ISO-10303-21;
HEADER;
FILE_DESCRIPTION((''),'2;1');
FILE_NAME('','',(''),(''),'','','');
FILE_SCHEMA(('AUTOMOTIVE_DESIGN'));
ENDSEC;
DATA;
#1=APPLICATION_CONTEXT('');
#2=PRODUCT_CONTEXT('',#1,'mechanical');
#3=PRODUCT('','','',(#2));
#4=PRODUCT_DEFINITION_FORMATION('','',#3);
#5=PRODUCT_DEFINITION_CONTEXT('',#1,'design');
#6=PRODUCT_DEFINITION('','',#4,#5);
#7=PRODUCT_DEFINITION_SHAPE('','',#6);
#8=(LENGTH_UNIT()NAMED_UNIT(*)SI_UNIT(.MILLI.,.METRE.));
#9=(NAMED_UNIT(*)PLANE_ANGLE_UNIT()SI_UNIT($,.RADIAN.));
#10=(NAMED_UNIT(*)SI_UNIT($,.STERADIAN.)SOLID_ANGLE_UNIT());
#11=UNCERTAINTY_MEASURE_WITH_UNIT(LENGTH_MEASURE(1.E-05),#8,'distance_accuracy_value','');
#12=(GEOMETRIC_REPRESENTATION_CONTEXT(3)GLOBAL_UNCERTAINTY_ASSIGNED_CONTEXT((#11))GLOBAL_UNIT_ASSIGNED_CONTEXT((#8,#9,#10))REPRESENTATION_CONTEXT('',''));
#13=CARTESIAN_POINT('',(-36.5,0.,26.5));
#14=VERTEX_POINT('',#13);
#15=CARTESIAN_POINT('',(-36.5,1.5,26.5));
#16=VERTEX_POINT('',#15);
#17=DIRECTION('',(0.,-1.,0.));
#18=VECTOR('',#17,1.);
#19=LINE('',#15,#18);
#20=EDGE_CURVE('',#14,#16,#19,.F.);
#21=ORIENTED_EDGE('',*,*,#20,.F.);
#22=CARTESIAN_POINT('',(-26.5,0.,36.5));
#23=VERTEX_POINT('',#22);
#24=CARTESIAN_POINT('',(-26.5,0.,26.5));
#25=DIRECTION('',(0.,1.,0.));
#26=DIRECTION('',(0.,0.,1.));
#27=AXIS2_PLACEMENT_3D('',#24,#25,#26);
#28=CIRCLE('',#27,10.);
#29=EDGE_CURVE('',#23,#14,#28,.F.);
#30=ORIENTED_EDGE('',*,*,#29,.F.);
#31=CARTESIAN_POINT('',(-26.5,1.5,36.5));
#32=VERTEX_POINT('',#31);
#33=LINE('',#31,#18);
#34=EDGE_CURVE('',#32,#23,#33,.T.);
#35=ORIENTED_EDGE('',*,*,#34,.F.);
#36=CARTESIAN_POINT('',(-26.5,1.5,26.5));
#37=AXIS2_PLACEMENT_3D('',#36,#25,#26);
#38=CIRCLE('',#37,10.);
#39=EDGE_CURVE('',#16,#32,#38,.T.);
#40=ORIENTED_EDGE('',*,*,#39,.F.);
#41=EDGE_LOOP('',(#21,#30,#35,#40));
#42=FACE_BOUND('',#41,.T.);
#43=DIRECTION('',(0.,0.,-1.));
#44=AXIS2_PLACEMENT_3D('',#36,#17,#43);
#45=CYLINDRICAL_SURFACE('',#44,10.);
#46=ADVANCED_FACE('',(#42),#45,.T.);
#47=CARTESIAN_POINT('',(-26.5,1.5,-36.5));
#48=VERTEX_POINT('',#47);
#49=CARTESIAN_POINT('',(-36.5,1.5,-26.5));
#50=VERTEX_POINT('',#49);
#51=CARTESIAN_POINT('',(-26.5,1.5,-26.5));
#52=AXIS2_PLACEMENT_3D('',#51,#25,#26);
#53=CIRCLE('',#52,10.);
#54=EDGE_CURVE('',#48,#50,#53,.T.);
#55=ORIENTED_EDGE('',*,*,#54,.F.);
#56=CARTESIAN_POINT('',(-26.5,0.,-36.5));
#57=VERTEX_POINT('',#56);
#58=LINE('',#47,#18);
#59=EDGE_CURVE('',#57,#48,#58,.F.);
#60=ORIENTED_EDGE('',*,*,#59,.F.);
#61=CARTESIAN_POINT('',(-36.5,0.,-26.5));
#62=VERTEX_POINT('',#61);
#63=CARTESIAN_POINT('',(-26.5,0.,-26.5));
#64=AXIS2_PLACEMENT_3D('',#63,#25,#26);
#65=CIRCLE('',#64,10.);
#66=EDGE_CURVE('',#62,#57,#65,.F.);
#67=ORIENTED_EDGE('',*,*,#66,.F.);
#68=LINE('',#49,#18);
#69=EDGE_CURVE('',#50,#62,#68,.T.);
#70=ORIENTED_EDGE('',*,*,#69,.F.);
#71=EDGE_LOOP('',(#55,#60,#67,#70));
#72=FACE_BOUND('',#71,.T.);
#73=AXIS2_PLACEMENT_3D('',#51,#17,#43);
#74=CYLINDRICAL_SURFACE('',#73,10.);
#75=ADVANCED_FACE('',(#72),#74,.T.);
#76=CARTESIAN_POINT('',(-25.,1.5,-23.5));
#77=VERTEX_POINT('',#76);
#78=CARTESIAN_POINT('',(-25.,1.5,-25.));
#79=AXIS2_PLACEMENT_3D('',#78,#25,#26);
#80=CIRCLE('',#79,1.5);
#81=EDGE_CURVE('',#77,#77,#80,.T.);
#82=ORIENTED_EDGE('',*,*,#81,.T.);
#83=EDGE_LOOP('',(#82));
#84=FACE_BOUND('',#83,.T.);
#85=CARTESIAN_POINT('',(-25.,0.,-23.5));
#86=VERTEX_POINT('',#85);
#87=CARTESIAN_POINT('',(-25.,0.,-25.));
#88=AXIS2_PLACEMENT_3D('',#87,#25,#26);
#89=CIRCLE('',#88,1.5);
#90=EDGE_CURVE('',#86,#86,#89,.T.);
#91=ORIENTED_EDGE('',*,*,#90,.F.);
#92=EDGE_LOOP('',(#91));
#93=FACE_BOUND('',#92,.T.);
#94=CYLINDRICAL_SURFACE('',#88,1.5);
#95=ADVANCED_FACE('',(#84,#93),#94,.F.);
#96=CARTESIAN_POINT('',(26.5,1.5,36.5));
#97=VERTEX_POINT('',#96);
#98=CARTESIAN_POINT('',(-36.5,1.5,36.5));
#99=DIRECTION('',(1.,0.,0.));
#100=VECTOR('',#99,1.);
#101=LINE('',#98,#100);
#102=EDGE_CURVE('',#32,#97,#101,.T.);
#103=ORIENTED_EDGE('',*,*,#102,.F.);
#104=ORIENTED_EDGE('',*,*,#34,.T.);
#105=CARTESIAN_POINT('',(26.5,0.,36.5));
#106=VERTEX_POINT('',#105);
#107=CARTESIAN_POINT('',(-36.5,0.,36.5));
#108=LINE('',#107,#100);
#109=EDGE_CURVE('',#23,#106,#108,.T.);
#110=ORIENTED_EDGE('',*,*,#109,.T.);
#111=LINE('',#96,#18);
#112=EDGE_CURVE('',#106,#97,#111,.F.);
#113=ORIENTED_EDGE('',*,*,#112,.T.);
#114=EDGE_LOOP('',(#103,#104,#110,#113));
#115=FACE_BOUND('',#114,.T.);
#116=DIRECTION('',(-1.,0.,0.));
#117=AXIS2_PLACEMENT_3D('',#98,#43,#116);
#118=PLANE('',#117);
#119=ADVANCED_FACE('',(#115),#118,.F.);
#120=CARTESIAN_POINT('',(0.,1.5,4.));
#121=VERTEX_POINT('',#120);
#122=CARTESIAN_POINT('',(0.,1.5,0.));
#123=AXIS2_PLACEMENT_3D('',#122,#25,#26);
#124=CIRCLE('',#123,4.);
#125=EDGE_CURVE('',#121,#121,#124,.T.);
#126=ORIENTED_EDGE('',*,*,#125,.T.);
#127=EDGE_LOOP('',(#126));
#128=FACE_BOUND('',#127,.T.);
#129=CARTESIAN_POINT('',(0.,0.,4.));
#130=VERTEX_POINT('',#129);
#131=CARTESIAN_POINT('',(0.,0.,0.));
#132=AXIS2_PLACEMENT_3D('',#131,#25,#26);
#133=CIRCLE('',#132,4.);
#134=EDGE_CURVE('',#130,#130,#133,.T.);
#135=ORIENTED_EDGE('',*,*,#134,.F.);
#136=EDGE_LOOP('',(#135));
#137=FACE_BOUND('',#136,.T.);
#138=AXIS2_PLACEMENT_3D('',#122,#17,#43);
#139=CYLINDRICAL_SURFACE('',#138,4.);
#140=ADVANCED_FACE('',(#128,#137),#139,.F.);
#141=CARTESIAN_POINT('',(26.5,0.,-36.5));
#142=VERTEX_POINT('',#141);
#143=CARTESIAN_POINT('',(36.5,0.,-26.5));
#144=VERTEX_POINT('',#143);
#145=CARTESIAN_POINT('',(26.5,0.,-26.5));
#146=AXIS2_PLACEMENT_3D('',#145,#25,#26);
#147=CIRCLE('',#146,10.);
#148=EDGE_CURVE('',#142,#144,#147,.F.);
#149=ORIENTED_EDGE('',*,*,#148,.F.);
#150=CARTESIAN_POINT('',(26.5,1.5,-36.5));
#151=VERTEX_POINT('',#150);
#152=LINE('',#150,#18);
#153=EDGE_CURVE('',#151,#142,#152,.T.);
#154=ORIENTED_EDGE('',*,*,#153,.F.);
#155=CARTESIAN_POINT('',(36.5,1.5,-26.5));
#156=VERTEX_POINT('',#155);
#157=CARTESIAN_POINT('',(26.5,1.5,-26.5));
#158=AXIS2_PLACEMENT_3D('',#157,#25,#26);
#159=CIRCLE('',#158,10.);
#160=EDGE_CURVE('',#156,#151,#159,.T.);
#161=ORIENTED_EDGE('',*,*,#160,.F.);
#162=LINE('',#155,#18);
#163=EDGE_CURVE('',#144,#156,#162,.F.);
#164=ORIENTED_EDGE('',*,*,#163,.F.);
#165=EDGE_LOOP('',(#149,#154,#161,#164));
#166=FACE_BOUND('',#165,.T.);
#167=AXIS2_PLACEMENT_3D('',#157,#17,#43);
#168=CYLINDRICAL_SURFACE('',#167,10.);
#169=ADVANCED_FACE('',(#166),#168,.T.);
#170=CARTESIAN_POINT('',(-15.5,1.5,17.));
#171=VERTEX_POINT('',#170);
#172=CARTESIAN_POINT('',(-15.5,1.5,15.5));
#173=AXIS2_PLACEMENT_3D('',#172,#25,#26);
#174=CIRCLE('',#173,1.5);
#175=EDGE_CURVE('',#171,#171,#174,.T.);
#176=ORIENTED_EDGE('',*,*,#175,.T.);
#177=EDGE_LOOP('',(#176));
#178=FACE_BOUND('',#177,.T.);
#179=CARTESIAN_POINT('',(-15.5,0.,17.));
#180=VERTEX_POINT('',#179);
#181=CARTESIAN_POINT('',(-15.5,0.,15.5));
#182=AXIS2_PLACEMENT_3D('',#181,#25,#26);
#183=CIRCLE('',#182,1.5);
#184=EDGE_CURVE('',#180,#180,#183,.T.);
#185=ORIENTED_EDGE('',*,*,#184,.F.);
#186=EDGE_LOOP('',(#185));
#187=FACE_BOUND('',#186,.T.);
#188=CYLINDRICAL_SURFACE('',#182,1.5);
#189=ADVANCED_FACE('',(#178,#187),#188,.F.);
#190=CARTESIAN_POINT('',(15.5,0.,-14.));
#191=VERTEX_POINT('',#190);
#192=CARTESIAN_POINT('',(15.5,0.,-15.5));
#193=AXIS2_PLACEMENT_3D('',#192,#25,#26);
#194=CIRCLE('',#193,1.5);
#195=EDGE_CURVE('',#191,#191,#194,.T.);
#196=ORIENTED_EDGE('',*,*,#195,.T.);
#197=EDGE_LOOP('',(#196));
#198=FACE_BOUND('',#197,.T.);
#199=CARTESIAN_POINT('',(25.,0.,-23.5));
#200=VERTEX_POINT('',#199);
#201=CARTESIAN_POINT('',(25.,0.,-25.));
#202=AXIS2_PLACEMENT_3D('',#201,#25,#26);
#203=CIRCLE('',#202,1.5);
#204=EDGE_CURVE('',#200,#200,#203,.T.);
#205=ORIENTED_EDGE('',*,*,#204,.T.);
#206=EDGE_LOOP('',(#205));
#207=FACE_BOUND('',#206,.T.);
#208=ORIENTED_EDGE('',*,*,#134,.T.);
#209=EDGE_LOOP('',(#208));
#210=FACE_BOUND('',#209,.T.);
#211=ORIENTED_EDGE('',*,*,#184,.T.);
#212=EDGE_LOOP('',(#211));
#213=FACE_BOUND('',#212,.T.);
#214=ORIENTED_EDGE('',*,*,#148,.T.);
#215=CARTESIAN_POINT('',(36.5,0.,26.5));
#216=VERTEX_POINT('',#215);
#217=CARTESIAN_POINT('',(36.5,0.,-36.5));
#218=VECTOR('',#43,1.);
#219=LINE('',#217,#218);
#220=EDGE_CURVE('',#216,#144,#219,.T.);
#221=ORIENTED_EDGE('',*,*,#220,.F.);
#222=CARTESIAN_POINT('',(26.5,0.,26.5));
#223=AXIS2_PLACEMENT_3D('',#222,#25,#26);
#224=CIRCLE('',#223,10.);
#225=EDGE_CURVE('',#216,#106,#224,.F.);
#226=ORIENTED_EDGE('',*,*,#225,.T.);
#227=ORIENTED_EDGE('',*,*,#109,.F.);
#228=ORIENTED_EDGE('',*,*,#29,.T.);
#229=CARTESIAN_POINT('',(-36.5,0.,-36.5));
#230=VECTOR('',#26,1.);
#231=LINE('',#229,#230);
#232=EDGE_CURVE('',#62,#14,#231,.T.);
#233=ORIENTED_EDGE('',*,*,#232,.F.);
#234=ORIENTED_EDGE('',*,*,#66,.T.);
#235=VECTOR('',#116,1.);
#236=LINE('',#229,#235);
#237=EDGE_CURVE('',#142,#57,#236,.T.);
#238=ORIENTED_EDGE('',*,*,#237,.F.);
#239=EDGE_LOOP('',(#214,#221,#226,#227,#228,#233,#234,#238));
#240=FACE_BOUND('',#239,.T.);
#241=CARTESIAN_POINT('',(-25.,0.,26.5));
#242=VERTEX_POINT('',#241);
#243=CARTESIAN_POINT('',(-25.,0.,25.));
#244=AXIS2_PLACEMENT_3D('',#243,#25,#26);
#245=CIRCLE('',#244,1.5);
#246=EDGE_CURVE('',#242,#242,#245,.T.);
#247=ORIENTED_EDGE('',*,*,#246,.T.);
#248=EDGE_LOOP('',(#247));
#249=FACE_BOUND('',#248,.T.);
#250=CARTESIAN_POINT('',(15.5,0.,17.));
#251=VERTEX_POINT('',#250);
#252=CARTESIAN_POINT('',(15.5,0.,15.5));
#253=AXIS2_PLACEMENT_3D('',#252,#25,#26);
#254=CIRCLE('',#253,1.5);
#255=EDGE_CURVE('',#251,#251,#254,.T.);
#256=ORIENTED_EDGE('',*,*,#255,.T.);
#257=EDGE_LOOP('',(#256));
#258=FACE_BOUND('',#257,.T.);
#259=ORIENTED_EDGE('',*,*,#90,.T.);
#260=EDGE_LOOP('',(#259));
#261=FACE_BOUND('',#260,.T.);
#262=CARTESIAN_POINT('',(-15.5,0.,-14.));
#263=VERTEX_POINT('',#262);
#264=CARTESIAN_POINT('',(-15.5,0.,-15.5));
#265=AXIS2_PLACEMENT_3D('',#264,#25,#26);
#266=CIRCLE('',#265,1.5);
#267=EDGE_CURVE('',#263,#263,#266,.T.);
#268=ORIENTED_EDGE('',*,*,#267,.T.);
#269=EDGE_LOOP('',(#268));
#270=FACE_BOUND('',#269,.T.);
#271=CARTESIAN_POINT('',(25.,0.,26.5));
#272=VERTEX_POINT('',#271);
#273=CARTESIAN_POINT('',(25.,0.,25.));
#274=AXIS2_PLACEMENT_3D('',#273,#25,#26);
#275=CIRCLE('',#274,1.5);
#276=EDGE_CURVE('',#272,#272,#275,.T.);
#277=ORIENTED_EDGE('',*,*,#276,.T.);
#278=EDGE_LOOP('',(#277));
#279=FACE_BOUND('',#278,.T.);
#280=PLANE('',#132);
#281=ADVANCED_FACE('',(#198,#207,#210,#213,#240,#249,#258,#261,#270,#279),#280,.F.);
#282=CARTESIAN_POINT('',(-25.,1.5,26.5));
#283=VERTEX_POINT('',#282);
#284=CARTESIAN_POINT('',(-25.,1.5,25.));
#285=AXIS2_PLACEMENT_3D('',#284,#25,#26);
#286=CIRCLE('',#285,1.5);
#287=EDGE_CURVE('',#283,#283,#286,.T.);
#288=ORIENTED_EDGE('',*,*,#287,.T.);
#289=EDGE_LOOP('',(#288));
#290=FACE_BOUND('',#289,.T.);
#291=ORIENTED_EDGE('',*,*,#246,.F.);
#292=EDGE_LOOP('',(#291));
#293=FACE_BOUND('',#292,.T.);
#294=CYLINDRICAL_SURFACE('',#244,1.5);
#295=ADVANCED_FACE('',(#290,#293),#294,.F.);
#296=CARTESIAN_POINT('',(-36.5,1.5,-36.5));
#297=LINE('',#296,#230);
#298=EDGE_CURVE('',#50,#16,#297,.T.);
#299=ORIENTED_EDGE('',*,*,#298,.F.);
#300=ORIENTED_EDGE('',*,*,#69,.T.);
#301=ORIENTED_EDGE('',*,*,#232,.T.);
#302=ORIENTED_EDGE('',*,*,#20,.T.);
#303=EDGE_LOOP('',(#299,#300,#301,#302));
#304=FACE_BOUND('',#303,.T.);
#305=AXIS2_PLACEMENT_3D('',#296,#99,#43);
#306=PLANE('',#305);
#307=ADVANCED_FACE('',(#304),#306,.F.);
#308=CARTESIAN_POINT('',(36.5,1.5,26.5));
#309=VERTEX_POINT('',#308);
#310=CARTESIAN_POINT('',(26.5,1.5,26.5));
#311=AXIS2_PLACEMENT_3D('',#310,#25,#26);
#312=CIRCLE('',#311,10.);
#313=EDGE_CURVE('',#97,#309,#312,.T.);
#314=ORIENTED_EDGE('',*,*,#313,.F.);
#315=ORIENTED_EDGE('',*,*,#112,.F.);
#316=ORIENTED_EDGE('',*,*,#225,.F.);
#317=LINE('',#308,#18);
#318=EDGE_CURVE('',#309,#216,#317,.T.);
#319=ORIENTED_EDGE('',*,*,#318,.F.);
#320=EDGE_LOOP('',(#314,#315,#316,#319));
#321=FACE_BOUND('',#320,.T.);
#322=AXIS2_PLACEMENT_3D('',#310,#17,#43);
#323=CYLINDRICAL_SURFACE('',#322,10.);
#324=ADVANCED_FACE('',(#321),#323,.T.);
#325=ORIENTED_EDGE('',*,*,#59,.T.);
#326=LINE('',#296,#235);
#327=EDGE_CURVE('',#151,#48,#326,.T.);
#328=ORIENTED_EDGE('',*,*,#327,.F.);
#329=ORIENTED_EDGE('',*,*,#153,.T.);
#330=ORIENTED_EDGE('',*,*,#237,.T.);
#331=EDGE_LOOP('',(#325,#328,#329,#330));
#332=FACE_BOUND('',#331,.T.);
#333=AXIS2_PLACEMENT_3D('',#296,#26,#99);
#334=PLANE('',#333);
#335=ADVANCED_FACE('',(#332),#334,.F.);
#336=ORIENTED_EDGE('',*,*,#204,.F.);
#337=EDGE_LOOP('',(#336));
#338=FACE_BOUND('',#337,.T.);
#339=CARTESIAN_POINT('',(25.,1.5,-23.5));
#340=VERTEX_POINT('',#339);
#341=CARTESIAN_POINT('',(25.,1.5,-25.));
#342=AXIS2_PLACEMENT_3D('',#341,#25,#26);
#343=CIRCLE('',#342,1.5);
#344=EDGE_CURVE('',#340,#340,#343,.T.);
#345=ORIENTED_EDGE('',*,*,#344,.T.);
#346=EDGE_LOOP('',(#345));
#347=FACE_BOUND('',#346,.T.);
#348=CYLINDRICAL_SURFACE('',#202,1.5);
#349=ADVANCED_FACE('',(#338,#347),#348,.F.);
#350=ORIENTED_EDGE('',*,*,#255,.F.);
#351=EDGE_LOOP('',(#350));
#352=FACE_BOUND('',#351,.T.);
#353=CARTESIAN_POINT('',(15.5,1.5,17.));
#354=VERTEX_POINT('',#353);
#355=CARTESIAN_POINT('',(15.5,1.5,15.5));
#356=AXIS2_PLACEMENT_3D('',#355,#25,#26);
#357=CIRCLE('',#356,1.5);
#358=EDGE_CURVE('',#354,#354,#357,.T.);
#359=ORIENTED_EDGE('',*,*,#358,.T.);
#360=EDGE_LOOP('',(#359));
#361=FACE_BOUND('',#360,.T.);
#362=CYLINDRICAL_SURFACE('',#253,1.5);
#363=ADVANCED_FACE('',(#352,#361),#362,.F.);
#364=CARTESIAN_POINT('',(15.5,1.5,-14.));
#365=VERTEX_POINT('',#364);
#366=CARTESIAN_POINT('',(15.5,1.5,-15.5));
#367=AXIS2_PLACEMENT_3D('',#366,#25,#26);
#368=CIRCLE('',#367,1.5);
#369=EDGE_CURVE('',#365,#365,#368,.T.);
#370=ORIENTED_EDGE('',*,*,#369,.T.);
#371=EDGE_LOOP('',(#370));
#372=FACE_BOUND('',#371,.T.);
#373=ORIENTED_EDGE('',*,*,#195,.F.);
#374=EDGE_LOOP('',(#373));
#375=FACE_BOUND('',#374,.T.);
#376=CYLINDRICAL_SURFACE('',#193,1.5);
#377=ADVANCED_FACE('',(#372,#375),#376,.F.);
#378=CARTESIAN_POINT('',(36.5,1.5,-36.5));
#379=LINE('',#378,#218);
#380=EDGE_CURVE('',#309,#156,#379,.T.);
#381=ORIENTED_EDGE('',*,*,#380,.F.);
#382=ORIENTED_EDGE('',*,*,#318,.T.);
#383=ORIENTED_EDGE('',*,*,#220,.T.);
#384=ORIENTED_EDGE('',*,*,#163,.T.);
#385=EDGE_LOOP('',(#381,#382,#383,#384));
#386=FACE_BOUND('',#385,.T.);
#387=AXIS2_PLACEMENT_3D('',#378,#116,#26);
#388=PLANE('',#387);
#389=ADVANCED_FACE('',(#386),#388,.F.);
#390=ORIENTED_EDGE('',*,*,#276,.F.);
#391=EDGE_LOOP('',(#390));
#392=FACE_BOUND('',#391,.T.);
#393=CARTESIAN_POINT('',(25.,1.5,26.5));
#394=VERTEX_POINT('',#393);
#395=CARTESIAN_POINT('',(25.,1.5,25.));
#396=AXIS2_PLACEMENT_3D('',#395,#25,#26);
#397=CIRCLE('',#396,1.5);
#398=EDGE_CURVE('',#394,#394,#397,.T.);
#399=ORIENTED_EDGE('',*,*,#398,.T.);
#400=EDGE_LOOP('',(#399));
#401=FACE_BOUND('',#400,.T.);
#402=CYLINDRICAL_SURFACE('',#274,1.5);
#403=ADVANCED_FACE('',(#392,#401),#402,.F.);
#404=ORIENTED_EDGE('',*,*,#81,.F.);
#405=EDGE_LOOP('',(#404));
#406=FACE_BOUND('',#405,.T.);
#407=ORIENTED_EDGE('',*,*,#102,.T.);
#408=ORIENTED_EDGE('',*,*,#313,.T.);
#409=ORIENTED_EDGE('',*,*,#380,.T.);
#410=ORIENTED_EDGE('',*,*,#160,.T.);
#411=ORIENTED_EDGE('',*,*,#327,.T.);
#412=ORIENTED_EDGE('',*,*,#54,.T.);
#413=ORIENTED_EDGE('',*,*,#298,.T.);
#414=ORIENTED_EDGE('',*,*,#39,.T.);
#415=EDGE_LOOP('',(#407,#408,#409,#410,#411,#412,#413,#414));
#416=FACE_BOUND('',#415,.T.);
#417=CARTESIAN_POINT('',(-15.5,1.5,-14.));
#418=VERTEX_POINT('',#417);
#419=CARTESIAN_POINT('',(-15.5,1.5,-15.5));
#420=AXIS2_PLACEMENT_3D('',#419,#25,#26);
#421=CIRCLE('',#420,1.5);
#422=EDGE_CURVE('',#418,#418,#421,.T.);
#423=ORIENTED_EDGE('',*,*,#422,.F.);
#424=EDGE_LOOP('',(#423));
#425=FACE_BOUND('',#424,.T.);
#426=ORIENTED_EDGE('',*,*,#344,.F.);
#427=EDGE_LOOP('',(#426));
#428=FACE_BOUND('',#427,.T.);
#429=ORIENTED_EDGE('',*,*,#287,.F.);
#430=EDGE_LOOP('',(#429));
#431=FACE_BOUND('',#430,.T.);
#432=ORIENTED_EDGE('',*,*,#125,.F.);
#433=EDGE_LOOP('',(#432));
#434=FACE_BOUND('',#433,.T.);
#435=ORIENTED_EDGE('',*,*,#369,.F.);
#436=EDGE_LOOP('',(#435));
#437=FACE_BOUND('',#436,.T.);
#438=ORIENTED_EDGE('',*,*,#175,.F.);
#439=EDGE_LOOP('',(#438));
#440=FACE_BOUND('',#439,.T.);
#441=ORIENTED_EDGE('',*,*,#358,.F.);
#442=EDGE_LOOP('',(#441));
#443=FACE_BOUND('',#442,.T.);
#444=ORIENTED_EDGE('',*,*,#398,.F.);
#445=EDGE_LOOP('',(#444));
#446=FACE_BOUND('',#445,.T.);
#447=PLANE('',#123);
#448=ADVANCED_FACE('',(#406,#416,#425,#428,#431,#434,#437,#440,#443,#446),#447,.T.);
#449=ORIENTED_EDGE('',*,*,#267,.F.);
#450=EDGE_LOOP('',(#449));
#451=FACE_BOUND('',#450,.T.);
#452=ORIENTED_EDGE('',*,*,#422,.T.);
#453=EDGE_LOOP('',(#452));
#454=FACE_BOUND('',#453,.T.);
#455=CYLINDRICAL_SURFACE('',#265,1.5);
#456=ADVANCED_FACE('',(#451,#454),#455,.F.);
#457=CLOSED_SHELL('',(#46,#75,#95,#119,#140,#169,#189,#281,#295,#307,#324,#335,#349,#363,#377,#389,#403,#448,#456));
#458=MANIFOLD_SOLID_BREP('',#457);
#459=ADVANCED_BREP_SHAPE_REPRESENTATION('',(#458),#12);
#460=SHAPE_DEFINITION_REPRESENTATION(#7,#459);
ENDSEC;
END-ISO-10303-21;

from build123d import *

# Parameters (mm, degrees)
SKETCH2_W           = 73
SKETCH2_H           = 73
SKETCH2_R           = 4
BOSS_EXTRUDE1_DEPTH = 1.5
SKETCH3_R           = 1.5
CUT_EXTRUDE1_DEPTH  = 2.5
SKETCH4_R           = 1.5
CUT_EXTRUDE2_DEPTH  = 2.5
FILLET1_R           = 10


with BuildPart() as part:
    # Sketch2 → Boss-Extrude1 (new body)
    with BuildSketch(Plane(origin=(0, 0, 0), x_dir=(1, 0, 0), z_dir=(0, 1, 0))):
        Rectangle(SKETCH2_W, SKETCH2_H)
        Circle(SKETCH2_R, mode=Mode.SUBTRACT)
    extrude(amount=BOSS_EXTRUDE1_DEPTH)

    # Sketch3 → Cut-Extrude1 (cut, through all)
    with BuildSketch(Plane(origin=(0, 1.5, 0), x_dir=(1, 0, 0), z_dir=(0, 1, 0))):
        with Locations((-15.5, 15.5)):
            Circle(SKETCH3_R)
        with Locations((15.5, 15.5)):
            Circle(SKETCH3_R)
        with Locations((15.5, -15.5)):
            Circle(SKETCH3_R)
        with Locations((-15.5, -15.5)):
            Circle(SKETCH3_R)
    extrude(amount=-CUT_EXTRUDE1_DEPTH, mode=Mode.SUBTRACT)

    # Sketch4 → Cut-Extrude2 (cut, through all)
    with BuildSketch(Plane(origin=(0, 1.5, 0), x_dir=(1, 0, 0), z_dir=(0, 1, 0))):
        with Locations((-25, 25)):
            Circle(SKETCH4_R)
        with Locations((25, 25)):
            Circle(SKETCH4_R)
        with Locations((25, -25)):
            Circle(SKETCH4_R)
        with Locations((-25, -25)):
            Circle(SKETCH4_R)
    extrude(amount=-CUT_EXTRUDE2_DEPTH, mode=Mode.SUBTRACT)

    # Fillet1
    fillet1_edges = [part.edges().sort_by_distance(p)[0] for p in [
        (36.5, 0.75, 36.5),
        (-36.5, 0.75, 36.5),
        (-36.5, 0.75, -36.5),
        (36.5, 0.75, -36.5),
    ]]
    fillet(fillet1_edges, radius=FILLET1_R)


solid = part.part
